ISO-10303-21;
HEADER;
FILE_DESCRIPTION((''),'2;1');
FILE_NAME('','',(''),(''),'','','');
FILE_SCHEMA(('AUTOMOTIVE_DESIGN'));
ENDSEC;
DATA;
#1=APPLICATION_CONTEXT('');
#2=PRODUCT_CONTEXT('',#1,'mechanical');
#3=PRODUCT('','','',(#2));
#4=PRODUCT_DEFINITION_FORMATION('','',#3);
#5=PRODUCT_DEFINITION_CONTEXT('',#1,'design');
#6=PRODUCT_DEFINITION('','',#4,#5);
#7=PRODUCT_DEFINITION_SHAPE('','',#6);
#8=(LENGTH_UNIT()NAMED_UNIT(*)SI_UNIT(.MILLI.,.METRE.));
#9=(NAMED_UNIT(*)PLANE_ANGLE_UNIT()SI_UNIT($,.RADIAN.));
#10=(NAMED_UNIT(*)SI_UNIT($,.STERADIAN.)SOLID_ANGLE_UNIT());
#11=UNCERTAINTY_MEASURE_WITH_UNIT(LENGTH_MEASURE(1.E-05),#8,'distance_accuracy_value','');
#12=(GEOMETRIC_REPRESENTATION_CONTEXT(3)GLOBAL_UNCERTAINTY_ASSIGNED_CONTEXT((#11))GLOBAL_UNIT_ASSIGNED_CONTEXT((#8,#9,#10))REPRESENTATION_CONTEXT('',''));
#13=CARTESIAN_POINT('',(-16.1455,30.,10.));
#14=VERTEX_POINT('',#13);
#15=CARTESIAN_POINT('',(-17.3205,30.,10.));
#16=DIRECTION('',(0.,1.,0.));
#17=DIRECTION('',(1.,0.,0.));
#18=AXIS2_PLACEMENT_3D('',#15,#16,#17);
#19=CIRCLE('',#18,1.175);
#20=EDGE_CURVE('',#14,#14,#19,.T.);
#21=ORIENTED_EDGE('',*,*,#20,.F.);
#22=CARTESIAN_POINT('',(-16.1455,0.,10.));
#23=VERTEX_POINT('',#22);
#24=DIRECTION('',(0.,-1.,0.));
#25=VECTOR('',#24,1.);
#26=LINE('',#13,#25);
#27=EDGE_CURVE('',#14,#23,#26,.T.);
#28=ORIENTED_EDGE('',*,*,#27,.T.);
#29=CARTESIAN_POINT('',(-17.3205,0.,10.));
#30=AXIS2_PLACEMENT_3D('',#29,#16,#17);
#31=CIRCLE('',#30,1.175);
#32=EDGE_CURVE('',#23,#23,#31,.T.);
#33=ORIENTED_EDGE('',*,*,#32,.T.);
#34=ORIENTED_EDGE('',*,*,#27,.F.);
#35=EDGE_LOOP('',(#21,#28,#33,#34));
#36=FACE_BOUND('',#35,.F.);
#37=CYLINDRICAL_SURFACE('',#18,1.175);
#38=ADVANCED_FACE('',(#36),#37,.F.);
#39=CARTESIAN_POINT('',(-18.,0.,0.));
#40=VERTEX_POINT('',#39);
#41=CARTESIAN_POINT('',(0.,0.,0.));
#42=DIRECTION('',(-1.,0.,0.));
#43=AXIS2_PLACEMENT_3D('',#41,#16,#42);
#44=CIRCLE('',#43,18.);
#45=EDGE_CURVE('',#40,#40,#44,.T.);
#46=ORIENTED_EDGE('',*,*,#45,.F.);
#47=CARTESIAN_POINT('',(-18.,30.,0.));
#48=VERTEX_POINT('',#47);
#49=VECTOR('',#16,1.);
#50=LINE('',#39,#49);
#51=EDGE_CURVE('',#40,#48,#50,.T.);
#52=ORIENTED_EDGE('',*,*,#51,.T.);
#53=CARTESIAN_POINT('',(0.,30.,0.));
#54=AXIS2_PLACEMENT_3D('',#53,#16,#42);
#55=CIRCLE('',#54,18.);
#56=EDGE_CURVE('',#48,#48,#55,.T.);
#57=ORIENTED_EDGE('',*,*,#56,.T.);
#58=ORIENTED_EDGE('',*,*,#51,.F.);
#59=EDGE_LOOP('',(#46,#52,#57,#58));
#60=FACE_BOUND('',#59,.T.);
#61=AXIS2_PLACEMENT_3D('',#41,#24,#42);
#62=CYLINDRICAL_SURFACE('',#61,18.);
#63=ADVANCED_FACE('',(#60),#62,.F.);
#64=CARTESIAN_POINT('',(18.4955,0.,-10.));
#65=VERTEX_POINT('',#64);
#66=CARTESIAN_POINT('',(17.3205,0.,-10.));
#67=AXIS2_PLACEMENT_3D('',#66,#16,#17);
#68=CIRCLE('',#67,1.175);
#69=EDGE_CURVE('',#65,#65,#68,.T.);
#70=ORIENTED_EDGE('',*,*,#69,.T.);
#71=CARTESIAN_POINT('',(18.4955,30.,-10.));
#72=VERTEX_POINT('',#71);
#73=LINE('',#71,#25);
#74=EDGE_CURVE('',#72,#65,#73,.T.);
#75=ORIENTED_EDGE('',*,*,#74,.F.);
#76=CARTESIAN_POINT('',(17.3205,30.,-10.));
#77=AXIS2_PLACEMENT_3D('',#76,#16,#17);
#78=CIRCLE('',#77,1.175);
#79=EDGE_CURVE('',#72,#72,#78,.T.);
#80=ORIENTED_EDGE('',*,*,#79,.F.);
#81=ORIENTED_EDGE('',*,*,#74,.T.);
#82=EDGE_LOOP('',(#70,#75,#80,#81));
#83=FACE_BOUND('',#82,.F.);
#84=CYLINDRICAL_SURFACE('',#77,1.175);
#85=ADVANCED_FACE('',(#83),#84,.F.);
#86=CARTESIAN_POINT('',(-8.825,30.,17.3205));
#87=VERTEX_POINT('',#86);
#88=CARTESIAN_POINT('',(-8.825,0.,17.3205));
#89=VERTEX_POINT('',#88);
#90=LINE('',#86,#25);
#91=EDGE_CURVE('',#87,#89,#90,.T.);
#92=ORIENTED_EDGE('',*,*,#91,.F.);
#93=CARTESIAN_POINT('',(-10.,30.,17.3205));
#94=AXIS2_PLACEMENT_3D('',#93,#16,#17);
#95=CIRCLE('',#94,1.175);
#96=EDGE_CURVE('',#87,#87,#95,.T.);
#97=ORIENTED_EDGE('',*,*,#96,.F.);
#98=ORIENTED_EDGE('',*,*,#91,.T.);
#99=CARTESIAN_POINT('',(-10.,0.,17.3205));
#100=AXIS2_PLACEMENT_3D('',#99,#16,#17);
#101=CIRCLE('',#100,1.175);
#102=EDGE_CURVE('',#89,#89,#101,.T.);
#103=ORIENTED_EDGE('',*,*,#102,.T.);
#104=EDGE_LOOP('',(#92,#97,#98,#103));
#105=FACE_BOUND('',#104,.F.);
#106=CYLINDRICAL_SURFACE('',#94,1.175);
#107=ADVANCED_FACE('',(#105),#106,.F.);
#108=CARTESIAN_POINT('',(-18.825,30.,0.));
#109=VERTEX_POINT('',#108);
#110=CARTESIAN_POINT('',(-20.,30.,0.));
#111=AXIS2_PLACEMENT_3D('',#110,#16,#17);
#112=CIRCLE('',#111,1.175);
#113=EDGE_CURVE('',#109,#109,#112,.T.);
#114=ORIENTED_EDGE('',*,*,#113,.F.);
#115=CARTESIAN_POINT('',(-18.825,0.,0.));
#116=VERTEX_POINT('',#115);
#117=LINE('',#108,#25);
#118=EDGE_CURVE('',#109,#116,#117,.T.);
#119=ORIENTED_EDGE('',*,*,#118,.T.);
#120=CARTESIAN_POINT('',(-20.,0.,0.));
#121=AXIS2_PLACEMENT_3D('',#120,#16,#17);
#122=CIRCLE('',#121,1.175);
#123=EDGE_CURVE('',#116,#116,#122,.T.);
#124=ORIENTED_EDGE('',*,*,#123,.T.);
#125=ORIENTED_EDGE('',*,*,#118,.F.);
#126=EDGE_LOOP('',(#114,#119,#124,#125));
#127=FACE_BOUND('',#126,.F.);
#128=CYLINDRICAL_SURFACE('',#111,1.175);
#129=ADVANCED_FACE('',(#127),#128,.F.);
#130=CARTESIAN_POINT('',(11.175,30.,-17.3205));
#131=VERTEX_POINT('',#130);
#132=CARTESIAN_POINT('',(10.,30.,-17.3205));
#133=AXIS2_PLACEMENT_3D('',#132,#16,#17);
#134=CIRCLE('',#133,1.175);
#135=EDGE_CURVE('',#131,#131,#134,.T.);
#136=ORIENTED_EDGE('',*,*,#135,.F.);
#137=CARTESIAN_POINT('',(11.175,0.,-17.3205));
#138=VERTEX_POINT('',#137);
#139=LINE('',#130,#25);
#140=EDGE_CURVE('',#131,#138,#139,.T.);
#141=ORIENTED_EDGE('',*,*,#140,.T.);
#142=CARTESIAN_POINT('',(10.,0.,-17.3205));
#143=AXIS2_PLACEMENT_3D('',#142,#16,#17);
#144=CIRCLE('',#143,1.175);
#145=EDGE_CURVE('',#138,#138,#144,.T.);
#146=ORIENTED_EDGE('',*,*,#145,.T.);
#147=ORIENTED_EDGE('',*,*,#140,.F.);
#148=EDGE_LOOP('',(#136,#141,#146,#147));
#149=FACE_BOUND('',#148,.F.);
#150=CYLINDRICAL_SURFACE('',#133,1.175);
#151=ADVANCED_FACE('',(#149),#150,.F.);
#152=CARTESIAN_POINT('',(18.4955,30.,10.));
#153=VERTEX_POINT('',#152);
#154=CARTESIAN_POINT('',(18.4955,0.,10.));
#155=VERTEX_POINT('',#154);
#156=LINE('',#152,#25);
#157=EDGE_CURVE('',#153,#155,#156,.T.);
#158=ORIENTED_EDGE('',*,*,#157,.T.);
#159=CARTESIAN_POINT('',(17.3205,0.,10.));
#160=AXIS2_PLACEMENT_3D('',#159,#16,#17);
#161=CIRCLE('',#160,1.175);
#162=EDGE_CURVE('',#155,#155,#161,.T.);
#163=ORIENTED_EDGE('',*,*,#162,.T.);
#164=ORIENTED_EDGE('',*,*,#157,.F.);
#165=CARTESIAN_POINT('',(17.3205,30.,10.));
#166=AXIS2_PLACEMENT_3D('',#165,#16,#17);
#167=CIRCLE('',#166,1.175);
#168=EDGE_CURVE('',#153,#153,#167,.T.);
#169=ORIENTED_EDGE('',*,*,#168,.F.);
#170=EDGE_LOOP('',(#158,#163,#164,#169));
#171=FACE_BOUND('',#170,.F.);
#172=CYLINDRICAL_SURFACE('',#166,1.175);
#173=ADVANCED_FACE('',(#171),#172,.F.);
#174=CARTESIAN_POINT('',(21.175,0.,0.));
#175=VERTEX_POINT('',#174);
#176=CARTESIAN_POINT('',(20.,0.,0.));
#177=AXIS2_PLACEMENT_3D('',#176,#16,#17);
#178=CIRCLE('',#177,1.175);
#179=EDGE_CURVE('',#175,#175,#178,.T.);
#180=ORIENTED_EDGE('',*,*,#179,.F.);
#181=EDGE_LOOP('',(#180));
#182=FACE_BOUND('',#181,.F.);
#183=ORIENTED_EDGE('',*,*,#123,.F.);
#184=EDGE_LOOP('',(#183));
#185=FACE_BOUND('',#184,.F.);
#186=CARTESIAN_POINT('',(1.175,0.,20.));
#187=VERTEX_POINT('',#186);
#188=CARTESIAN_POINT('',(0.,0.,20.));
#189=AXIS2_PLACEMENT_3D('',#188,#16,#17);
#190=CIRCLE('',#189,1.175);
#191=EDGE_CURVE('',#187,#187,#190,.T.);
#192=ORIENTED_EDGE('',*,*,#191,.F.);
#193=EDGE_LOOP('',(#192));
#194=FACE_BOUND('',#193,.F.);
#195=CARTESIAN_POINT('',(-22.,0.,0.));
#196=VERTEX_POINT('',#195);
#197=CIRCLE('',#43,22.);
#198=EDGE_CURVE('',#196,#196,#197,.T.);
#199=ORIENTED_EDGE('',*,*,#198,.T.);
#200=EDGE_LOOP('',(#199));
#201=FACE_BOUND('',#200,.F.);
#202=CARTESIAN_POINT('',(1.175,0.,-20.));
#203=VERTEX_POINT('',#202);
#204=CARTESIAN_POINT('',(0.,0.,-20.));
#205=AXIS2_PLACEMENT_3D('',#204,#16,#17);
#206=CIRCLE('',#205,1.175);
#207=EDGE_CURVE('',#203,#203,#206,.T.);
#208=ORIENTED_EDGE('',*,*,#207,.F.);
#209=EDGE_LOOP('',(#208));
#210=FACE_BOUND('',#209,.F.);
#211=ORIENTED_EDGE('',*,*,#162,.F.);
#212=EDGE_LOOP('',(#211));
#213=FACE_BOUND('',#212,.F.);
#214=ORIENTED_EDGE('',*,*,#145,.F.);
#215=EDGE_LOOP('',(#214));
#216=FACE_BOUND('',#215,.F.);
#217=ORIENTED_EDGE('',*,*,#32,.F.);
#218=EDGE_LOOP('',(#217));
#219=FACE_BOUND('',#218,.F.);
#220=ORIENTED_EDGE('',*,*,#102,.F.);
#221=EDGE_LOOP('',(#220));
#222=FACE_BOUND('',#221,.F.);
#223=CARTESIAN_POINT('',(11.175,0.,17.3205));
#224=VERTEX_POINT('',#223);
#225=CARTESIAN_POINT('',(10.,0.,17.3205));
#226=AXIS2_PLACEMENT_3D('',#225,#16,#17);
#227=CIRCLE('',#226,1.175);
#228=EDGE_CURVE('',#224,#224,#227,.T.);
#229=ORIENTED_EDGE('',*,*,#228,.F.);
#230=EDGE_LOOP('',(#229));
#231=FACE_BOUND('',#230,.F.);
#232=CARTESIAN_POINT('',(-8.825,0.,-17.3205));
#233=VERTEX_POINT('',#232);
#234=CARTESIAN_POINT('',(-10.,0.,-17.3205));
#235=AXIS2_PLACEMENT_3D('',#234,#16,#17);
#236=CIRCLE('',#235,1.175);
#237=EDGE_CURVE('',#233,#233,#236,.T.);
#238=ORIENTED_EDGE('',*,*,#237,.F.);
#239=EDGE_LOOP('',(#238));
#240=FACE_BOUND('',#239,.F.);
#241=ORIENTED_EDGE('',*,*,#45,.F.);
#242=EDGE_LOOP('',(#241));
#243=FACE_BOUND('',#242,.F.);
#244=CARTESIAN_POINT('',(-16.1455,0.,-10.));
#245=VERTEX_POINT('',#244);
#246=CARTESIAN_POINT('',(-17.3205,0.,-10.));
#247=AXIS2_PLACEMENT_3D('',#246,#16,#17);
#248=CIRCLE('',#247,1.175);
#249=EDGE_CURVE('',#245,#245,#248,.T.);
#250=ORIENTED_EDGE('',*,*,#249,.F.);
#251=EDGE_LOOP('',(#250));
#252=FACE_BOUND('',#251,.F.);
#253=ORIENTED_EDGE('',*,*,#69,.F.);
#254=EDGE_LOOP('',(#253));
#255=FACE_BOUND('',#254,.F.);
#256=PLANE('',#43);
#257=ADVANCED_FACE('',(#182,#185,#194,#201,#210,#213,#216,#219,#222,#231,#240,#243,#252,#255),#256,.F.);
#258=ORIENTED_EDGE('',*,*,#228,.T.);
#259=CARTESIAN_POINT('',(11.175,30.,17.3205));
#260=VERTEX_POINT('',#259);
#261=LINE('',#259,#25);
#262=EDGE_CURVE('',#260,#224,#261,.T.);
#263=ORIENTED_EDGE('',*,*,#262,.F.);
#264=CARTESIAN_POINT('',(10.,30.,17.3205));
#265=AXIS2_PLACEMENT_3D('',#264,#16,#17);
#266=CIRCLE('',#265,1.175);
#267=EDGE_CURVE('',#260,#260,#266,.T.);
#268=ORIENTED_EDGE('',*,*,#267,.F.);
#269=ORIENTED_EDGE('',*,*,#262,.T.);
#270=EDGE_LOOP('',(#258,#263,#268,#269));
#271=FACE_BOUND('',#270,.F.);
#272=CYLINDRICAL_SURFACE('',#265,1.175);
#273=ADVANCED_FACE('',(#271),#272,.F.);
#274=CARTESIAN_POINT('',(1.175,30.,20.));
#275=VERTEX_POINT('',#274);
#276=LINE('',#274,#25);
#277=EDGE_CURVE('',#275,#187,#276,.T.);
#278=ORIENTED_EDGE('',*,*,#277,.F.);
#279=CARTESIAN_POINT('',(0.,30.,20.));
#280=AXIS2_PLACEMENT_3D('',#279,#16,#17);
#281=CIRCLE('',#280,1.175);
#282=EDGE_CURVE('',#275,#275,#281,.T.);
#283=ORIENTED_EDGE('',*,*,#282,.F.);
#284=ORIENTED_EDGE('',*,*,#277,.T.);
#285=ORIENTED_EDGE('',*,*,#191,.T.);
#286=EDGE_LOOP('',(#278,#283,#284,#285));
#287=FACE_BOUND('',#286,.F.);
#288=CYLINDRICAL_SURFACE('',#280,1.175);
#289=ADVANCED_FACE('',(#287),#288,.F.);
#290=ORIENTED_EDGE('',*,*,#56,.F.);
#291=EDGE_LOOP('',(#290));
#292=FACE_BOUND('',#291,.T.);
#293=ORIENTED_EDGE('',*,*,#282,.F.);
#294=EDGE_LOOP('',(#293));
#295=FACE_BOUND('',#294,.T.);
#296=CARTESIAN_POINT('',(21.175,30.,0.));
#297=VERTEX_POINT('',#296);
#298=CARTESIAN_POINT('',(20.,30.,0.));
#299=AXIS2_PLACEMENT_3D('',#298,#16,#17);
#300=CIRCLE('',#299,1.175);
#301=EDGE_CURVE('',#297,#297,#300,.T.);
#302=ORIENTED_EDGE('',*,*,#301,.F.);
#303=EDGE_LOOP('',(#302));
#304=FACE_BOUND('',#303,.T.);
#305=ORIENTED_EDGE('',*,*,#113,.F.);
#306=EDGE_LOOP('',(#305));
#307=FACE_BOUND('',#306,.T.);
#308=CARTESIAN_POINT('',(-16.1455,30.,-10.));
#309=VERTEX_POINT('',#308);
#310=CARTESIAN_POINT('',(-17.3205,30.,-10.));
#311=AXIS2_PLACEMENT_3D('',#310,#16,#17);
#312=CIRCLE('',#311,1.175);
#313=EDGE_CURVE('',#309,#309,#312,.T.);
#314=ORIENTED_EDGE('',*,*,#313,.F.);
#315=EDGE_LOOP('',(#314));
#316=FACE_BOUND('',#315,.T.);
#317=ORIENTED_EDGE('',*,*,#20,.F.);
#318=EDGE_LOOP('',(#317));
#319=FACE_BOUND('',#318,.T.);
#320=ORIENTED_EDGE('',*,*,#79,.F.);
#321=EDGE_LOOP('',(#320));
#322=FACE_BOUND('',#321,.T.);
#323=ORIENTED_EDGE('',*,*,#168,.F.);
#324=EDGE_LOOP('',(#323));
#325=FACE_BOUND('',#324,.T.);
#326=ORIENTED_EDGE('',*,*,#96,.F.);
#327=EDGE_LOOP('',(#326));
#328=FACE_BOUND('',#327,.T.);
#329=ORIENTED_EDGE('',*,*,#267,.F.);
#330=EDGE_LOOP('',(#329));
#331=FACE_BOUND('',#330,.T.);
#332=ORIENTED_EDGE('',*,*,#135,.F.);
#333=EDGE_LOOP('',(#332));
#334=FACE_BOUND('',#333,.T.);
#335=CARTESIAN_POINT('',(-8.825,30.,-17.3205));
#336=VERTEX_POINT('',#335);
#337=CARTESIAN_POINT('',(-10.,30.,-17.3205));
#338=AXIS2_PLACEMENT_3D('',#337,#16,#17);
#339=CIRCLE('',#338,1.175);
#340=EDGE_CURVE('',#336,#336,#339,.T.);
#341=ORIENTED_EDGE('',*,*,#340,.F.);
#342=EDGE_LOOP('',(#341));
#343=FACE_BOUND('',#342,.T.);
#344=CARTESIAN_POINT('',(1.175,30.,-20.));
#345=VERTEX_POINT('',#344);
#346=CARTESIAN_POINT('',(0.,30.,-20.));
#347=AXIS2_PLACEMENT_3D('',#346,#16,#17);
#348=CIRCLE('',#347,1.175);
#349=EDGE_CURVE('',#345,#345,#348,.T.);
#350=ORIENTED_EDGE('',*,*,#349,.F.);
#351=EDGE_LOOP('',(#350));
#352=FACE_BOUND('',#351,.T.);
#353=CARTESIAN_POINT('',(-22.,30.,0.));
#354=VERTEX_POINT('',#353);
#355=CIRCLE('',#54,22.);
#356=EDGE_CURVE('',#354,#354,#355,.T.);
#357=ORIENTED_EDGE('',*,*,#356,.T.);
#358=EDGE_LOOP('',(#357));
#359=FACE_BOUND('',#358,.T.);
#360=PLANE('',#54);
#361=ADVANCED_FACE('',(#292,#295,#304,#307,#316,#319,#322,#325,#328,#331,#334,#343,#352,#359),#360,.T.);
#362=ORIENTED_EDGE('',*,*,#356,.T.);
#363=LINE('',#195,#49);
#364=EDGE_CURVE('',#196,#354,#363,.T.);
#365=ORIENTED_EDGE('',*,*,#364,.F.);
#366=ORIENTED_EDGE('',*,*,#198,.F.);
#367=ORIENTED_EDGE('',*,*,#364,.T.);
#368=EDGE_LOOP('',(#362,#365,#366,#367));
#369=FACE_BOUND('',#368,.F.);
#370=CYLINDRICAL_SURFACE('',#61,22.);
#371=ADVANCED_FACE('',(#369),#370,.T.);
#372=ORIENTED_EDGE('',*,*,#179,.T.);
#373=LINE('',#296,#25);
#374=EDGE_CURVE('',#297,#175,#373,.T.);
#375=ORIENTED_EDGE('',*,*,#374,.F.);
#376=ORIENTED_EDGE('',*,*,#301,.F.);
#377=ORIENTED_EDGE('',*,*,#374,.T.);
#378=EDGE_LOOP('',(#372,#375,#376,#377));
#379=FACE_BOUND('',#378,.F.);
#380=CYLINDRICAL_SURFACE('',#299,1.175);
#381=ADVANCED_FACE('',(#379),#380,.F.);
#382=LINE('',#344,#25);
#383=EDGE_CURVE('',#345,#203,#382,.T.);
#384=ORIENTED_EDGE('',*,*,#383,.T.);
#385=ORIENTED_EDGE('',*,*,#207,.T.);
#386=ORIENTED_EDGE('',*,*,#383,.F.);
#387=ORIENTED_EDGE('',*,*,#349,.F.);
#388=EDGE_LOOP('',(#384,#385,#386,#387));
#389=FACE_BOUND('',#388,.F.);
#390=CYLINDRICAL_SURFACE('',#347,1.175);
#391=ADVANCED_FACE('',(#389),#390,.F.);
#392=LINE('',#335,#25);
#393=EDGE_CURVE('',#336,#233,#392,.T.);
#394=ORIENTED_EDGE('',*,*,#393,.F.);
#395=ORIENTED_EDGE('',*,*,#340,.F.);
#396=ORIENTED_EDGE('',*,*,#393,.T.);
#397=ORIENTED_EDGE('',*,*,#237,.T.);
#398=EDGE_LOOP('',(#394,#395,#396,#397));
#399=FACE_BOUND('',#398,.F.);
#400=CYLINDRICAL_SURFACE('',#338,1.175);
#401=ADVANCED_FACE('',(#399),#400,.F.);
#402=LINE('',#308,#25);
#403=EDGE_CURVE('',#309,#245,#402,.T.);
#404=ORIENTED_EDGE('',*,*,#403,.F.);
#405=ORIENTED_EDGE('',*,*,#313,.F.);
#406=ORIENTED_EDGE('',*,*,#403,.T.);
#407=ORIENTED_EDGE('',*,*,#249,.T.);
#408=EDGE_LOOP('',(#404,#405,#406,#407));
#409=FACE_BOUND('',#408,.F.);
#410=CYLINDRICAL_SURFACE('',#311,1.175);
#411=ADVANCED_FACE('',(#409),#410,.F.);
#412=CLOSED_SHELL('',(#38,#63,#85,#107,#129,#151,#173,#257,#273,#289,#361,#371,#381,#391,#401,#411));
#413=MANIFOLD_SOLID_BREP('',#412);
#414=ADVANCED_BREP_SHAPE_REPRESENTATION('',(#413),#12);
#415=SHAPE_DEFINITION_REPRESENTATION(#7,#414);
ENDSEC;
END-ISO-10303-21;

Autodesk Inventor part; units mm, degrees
ref_plane "YZ Plane" through (0, 0, 0) normal (1, 0, 0) x (0, 1, 0)
ref_plane "XZ Plane" through (0, 0, 0) normal (0, 1, 0) x (-1, 0, 0)
ref_plane "XY Plane" through (0, 0, 0) normal (0, 0, 1) x (1, 0, 0)
sketch "Sketch1" plane through (0, 0, 0) normal (0, 1, 0) x (-1, 0, 0)
  circle A0 centre (0, 0) radius 18
  circle A1 centre (0, 0) radius 22
  dimension "d0" = 36
  dimension "d1" = 44
extrude "Extrusion1" add sketch "Sketch1" along normal blind 30
sketch "Sketch2" plane through (0, 30, 0) normal (0, 1, 0) x (1, 0, 0)
  circle A0 centre (-20, 0) radius 1.175
  circle A1 centre (-17.3205, -10) radius 1.175
  circle A2 centre (-10, -17.3205) radius 1.175
  circle A3 centre (0, -20) radius 1.175
  circle A4 centre (10, -17.3205) radius 1.175
  circle A5 centre (17.3205, -10) radius 1.175
  circle A6 centre (20, 0) radius 1.175
  circle A7 centre (17.3205, 10) radius 1.175
  circle A8 centre (10, 17.3205) radius 1.175
  circle A9 centre (0, 20) radius 1.175
  circle A10 centre (-10, 17.3205) radius 1.175
  circle A11 centre (-17.3205, 10) radius 1.175
  point P0 (0, 0)
  dimension "d4" = 2.35
  dimension "d5" = 0
  dimension "d6" = 20
  dimension "d9" = 360
extrude "Extrusion2" cut sketch "Sketch2" against normal through all
properties part number "drive_sprocket_middle"
